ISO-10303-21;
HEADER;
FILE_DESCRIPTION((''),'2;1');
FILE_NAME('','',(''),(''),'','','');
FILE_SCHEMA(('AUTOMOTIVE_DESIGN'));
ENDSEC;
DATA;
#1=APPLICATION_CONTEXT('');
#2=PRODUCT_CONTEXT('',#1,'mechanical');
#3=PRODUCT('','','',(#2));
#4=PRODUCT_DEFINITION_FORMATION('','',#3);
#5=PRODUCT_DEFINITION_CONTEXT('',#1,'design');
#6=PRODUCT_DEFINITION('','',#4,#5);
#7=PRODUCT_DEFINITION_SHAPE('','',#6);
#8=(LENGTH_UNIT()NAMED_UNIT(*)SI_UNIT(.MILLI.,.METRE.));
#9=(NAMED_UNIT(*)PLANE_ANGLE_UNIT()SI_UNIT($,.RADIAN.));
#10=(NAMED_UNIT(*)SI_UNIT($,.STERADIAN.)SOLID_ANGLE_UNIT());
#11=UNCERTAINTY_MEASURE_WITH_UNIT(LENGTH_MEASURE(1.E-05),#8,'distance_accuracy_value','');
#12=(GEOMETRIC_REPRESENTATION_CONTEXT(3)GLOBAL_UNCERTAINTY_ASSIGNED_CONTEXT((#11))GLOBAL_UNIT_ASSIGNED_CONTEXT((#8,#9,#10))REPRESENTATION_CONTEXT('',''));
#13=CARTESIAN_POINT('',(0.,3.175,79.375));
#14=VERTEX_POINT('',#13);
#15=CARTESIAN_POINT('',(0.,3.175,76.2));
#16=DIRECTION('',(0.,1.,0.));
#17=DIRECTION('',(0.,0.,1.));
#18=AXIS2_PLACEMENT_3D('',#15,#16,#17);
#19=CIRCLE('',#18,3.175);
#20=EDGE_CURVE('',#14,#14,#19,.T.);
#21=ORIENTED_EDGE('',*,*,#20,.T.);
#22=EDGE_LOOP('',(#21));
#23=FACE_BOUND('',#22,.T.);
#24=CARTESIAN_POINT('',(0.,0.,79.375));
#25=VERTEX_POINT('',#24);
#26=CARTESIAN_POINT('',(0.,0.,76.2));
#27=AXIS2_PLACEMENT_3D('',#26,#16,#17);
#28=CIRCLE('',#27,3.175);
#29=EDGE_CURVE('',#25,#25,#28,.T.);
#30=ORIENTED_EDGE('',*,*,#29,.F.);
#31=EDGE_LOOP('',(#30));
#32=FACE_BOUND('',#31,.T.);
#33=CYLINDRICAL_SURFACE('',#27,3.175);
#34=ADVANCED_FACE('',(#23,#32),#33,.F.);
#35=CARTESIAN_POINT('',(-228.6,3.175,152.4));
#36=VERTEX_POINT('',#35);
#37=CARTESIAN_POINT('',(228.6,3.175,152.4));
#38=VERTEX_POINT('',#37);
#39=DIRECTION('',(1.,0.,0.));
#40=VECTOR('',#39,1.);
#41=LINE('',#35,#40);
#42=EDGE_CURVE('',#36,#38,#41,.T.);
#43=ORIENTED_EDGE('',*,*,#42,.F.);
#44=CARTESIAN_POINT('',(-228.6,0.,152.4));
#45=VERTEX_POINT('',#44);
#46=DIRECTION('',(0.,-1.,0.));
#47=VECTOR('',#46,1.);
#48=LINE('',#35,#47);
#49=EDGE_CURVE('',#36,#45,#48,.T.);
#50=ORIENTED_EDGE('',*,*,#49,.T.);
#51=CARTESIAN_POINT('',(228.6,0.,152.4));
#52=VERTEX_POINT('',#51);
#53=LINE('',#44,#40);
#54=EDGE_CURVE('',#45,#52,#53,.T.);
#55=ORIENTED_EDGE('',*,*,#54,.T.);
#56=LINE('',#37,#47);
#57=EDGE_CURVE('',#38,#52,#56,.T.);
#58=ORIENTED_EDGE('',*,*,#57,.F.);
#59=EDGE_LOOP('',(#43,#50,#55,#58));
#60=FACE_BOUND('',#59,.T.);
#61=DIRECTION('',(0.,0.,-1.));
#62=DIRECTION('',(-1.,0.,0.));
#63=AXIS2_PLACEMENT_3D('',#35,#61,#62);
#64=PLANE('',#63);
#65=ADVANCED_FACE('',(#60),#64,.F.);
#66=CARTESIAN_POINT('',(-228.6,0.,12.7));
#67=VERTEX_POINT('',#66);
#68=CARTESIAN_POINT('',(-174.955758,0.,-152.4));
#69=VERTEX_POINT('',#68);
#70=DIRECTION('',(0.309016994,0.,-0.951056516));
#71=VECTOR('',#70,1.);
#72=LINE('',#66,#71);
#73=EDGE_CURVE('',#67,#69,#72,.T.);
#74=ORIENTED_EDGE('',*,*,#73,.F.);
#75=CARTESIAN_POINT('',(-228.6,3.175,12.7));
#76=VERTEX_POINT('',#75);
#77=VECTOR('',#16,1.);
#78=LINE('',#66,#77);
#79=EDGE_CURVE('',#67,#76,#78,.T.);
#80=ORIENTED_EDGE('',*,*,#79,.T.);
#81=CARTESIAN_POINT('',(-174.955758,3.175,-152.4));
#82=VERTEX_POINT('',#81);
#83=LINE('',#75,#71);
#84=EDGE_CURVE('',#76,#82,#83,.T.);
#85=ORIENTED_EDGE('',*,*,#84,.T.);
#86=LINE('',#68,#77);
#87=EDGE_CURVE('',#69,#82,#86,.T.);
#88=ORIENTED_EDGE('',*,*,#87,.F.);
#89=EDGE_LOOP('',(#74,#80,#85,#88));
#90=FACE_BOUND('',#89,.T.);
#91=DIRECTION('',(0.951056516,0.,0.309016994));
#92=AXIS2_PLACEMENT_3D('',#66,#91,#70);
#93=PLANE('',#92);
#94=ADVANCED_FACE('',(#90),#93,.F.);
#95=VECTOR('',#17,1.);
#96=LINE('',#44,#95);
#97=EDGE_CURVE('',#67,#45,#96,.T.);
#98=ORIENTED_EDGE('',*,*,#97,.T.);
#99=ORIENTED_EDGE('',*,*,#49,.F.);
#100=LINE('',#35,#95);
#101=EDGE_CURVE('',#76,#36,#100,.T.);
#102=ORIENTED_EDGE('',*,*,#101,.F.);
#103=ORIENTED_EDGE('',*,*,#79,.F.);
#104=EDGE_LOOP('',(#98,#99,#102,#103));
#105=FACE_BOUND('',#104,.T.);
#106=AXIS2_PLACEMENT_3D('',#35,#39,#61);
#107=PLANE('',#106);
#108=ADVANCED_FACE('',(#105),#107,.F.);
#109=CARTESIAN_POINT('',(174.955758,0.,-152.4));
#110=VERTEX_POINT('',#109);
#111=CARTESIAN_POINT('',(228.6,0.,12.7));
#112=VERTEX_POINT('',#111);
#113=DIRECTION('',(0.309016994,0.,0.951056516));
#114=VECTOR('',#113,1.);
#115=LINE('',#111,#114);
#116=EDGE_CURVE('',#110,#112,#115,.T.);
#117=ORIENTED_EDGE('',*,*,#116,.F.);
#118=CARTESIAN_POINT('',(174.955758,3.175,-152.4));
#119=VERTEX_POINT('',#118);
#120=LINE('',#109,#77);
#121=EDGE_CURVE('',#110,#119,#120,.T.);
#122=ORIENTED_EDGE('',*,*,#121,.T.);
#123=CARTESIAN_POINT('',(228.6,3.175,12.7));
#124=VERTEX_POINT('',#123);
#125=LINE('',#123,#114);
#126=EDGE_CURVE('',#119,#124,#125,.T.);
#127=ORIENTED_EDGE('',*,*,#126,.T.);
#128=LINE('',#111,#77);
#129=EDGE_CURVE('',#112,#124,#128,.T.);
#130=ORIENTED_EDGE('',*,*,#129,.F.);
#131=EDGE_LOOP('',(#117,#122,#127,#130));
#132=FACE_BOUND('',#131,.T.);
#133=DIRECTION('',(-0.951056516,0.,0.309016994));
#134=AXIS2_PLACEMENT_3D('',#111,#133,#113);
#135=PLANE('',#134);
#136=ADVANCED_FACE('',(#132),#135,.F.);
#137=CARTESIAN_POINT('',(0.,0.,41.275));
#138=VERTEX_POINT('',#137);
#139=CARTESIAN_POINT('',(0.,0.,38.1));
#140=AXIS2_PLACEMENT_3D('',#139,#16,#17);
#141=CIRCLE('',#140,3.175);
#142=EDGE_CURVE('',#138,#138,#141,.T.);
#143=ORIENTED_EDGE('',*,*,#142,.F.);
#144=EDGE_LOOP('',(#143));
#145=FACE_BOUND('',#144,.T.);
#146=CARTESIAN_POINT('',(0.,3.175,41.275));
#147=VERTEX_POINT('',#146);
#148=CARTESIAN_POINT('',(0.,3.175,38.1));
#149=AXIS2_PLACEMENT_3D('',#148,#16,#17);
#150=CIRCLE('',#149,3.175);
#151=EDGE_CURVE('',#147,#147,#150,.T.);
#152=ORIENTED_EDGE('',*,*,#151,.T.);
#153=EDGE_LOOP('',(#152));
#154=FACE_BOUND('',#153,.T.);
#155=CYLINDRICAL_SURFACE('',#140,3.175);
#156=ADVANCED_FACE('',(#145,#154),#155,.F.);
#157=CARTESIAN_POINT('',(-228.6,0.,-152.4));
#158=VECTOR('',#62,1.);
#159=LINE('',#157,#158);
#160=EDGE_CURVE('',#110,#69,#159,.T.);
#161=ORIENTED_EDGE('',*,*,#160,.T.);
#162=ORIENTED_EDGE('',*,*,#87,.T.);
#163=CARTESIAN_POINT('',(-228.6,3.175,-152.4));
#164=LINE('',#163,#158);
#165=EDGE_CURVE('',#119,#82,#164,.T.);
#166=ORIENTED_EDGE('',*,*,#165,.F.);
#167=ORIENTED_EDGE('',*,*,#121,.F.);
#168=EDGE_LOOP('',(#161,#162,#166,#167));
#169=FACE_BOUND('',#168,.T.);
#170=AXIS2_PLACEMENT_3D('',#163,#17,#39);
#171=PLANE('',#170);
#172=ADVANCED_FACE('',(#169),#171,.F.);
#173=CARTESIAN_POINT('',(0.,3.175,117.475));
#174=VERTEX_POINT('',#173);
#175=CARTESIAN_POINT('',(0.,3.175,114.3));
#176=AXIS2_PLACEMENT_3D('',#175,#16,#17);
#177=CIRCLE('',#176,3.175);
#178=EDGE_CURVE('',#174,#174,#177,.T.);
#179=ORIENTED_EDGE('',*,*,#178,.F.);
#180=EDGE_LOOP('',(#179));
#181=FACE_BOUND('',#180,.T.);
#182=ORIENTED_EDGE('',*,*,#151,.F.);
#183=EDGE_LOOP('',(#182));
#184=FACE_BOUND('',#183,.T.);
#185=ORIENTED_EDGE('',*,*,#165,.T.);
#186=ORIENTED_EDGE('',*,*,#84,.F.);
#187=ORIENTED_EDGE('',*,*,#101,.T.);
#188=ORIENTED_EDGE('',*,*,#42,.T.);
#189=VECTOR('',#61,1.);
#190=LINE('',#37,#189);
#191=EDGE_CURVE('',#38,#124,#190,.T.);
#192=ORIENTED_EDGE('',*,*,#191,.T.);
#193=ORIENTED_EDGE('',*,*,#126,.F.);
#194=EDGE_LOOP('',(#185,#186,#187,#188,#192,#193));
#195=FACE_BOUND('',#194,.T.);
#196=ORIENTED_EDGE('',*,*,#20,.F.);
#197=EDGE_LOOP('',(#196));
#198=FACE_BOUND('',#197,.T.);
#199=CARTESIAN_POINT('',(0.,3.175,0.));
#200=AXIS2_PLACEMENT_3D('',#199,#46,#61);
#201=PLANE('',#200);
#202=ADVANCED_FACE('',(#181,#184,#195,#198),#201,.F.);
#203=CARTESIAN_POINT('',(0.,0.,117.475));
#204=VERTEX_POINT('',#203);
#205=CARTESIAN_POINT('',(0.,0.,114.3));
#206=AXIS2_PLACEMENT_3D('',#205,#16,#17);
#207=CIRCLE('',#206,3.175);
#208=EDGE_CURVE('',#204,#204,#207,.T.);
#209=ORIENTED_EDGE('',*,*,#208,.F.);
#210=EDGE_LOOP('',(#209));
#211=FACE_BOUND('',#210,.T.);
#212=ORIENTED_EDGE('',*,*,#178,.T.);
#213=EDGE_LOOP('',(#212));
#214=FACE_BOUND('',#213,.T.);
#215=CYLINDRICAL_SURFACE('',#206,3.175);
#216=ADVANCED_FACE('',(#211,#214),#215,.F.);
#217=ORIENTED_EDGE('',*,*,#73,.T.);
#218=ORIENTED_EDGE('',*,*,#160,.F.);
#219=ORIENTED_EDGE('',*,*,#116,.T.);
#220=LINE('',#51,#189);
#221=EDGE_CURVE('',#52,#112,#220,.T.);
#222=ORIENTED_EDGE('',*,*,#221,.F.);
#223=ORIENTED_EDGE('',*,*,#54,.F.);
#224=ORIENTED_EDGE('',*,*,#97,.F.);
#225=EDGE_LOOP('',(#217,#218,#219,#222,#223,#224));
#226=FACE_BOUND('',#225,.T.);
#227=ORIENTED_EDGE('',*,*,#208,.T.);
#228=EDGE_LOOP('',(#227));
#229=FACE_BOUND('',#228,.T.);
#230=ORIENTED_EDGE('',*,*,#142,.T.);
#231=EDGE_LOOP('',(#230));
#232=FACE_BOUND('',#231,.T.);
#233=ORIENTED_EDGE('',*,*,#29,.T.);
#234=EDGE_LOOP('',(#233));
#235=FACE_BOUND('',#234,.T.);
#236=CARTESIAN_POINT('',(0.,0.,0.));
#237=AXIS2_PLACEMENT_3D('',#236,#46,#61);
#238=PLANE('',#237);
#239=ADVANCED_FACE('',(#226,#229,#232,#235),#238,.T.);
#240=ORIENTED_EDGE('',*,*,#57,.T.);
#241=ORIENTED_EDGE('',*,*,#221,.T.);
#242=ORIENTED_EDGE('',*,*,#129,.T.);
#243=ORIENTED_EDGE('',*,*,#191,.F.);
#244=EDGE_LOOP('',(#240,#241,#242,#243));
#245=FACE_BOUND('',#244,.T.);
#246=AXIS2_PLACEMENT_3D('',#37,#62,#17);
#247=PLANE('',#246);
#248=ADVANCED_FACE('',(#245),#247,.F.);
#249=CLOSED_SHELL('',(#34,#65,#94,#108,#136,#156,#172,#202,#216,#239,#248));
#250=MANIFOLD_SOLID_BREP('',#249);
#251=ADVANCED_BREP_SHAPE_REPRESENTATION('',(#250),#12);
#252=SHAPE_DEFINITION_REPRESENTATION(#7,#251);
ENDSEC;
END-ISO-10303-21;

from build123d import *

# Parameters (mm, degrees)
SKETCH2_W           = 457.2
SKETCH2_H           = 304.8
BOSS_EXTRUDE1_DEPTH = 3.175
CUT_EXTRUDE1_DEPTH  = 3.175
SKETCH5_R           = 3.175
CUT_EXTRUDE3_DEPTH  = 3.175


with BuildPart() as part:
    # Sketch2 → Boss-Extrude1 (new body)
    with BuildSketch(Plane(origin=(0, 0, 0), x_dir=(1, 0, 0), z_dir=(0, 1, 0))):
        Rectangle(SKETCH2_W, SKETCH2_H)
    extrude(amount=BOSS_EXTRUDE1_DEPTH)

    # Sketch3 → Cut-Extrude1 (cut)
    with BuildSketch(Plane(origin=(0, 3.175, 0), x_dir=(1, 0, 0), z_dir=(0, 1, 0))):
        Polygon((-228.6, -12.7), (-174.955758152, 152.4), (-228.6, 152.4), align=None)
        Polygon((174.955758152, 152.4), (228.6, 152.4), (228.6, -12.7), align=None)
    extrude(amount=-CUT_EXTRUDE1_DEPTH, mode=Mode.SUBTRACT)

    # Sketch5 → Cut-Extrude3 (cut)
    with BuildSketch(Plane(origin=(0, 3.175, 0), x_dir=(1, 0, 0), z_dir=(0, 1, 0))):
        with Locations(Location((0, -114.3, 0), (0, 0, 270))):
            Circle(SKETCH5_R)
        with Locations(Location((0, -76.2, 0), (0, 0, 270))):
            Circle(SKETCH5_R)
        with Locations(Location((0, -38.1, 0), (0, 0, 270))):
            Circle(SKETCH5_R)
    extrude(amount=-CUT_EXTRUDE3_DEPTH, mode=Mode.SUBTRACT)


solid = part.part
